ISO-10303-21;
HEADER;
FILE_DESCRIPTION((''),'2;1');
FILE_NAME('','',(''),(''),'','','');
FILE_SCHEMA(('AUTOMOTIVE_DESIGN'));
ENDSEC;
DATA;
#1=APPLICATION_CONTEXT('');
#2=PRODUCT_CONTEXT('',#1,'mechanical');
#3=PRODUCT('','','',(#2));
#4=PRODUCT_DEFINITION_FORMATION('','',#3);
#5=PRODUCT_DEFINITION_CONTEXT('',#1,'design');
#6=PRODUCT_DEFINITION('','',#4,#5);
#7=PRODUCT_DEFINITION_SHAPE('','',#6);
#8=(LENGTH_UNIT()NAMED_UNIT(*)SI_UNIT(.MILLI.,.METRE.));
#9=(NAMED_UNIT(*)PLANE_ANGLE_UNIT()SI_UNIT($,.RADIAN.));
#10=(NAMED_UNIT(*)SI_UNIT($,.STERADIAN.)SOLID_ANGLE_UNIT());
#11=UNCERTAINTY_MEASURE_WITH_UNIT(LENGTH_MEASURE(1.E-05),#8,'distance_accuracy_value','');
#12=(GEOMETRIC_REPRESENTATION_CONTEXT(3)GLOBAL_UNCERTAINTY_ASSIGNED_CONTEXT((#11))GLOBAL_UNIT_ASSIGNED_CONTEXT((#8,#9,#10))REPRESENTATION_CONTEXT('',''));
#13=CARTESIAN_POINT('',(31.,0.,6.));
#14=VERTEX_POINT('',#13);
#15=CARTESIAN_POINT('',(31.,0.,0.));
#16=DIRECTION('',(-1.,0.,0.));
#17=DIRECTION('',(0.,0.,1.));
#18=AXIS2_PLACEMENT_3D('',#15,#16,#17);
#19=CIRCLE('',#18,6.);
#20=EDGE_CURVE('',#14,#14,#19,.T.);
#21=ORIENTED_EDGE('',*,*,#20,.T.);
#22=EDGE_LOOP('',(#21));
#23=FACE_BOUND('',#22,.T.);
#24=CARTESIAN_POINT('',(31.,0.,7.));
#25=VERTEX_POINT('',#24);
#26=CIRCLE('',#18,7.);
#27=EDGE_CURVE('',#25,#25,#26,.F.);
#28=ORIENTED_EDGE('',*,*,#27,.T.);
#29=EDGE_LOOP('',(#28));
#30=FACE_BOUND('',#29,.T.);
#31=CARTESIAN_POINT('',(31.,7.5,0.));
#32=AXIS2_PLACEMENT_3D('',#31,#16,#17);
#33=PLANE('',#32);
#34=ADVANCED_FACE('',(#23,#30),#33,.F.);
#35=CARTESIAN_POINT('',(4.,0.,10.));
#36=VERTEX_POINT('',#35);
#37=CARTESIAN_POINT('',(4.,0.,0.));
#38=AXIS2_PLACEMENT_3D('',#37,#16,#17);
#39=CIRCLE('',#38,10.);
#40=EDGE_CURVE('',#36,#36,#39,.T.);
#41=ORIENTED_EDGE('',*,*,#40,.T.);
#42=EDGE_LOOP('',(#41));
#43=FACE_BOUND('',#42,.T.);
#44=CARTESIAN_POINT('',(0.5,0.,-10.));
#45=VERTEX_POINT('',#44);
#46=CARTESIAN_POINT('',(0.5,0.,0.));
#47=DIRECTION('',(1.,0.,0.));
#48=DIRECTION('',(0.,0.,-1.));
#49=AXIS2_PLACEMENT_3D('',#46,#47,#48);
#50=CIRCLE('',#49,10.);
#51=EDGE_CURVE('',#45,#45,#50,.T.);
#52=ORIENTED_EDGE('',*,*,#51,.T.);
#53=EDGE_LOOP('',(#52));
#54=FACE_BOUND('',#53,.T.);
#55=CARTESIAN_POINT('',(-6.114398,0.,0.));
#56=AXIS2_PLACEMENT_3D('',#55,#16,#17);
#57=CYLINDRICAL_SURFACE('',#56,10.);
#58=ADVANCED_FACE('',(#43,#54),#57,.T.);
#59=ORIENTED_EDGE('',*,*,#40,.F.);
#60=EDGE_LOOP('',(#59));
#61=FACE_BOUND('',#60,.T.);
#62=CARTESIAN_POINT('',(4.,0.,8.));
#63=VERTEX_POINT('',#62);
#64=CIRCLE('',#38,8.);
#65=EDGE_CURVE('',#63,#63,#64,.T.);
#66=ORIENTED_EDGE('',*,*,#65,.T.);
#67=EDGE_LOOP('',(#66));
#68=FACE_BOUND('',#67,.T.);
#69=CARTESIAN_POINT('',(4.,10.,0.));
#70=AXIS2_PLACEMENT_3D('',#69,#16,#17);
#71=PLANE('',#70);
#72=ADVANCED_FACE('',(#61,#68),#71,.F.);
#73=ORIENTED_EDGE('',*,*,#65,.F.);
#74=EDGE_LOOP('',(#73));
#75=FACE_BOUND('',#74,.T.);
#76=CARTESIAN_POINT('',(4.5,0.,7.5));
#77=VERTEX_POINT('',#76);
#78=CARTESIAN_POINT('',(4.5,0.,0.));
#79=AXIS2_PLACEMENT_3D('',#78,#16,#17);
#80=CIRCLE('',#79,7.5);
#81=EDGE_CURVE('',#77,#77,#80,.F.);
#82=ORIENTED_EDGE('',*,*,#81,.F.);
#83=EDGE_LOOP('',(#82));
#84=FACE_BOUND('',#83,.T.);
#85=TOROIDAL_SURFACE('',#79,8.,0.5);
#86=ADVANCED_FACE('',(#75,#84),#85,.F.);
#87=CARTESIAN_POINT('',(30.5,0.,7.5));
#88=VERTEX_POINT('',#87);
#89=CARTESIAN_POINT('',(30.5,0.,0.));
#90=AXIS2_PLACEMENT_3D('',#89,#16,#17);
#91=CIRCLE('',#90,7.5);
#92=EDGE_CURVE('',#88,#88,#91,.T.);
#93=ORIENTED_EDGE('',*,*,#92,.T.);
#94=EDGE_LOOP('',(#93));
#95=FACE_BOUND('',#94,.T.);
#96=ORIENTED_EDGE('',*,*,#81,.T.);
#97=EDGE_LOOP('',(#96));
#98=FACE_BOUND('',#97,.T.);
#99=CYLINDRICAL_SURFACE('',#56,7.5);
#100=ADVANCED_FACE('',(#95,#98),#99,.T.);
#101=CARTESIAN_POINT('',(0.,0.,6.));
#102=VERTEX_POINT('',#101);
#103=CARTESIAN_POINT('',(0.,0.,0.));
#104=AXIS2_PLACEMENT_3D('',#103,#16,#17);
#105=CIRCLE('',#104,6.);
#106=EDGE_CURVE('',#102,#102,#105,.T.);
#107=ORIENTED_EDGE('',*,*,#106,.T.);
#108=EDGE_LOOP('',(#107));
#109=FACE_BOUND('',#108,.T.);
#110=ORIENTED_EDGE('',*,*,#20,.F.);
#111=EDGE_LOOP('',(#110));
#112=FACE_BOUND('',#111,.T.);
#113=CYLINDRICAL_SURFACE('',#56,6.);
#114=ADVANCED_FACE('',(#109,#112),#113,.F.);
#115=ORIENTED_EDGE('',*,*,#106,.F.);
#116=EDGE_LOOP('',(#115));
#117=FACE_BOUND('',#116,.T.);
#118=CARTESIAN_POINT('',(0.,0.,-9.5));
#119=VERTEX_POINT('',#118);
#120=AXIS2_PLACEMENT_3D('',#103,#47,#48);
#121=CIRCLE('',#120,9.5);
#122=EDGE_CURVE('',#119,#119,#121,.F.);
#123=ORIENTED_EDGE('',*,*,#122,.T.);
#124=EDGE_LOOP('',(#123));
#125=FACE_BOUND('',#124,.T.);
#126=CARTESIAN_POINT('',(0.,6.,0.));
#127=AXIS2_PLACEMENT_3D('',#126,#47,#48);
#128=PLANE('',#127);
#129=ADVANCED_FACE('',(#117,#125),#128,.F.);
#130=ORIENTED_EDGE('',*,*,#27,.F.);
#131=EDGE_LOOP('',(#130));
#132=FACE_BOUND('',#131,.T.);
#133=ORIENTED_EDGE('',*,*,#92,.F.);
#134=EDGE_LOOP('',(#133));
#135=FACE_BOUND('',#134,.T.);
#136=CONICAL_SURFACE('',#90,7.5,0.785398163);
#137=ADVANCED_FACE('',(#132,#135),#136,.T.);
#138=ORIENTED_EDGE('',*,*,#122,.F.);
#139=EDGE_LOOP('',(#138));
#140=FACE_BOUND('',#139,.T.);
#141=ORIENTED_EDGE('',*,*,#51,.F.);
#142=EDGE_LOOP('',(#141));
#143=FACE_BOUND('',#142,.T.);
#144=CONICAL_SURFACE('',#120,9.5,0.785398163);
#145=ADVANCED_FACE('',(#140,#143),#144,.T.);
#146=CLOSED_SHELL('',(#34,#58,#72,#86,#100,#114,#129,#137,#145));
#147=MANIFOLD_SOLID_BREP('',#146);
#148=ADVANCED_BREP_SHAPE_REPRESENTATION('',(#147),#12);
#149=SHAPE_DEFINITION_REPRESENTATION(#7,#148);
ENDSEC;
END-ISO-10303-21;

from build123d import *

# Parameters (mm, degrees)
FILLET1_R     = 0.5
CHAMFER1_SIZE = 0.5


with BuildPart() as part:
    # Sketch1 → Revolve1 (revolve)
    with BuildSketch(Plane.XY, mode=Mode.PRIVATE) as revolve1_sk:
        Polygon((0, 6), (0, 10), (4, 10), (4, 7.5), (31, 7.5), (31, 6), align=None)
    revolve(revolve1_sk.sketch.rotate(Axis((-6.114398422, 0, 0), (1, 0, 0)), 90), axis=Axis((-6.114398422, 0, 0), (1, 0, 0)))

    # Fillet1
    fillet1_edges = [part.edges().sort_by_distance(p)[0] for p in [
        (4, 0, -7.5),
    ]]
    fillet(fillet1_edges, radius=FILLET1_R)

    # Chamfer1
    chamfer1_edges = [part.edges().sort_by_distance(p)[0] for p in [
        (31, 0, -7.5),
        (0, 0, -10),
    ]]
    chamfer(chamfer1_edges, length=CHAMFER1_SIZE)


solid = part.part
